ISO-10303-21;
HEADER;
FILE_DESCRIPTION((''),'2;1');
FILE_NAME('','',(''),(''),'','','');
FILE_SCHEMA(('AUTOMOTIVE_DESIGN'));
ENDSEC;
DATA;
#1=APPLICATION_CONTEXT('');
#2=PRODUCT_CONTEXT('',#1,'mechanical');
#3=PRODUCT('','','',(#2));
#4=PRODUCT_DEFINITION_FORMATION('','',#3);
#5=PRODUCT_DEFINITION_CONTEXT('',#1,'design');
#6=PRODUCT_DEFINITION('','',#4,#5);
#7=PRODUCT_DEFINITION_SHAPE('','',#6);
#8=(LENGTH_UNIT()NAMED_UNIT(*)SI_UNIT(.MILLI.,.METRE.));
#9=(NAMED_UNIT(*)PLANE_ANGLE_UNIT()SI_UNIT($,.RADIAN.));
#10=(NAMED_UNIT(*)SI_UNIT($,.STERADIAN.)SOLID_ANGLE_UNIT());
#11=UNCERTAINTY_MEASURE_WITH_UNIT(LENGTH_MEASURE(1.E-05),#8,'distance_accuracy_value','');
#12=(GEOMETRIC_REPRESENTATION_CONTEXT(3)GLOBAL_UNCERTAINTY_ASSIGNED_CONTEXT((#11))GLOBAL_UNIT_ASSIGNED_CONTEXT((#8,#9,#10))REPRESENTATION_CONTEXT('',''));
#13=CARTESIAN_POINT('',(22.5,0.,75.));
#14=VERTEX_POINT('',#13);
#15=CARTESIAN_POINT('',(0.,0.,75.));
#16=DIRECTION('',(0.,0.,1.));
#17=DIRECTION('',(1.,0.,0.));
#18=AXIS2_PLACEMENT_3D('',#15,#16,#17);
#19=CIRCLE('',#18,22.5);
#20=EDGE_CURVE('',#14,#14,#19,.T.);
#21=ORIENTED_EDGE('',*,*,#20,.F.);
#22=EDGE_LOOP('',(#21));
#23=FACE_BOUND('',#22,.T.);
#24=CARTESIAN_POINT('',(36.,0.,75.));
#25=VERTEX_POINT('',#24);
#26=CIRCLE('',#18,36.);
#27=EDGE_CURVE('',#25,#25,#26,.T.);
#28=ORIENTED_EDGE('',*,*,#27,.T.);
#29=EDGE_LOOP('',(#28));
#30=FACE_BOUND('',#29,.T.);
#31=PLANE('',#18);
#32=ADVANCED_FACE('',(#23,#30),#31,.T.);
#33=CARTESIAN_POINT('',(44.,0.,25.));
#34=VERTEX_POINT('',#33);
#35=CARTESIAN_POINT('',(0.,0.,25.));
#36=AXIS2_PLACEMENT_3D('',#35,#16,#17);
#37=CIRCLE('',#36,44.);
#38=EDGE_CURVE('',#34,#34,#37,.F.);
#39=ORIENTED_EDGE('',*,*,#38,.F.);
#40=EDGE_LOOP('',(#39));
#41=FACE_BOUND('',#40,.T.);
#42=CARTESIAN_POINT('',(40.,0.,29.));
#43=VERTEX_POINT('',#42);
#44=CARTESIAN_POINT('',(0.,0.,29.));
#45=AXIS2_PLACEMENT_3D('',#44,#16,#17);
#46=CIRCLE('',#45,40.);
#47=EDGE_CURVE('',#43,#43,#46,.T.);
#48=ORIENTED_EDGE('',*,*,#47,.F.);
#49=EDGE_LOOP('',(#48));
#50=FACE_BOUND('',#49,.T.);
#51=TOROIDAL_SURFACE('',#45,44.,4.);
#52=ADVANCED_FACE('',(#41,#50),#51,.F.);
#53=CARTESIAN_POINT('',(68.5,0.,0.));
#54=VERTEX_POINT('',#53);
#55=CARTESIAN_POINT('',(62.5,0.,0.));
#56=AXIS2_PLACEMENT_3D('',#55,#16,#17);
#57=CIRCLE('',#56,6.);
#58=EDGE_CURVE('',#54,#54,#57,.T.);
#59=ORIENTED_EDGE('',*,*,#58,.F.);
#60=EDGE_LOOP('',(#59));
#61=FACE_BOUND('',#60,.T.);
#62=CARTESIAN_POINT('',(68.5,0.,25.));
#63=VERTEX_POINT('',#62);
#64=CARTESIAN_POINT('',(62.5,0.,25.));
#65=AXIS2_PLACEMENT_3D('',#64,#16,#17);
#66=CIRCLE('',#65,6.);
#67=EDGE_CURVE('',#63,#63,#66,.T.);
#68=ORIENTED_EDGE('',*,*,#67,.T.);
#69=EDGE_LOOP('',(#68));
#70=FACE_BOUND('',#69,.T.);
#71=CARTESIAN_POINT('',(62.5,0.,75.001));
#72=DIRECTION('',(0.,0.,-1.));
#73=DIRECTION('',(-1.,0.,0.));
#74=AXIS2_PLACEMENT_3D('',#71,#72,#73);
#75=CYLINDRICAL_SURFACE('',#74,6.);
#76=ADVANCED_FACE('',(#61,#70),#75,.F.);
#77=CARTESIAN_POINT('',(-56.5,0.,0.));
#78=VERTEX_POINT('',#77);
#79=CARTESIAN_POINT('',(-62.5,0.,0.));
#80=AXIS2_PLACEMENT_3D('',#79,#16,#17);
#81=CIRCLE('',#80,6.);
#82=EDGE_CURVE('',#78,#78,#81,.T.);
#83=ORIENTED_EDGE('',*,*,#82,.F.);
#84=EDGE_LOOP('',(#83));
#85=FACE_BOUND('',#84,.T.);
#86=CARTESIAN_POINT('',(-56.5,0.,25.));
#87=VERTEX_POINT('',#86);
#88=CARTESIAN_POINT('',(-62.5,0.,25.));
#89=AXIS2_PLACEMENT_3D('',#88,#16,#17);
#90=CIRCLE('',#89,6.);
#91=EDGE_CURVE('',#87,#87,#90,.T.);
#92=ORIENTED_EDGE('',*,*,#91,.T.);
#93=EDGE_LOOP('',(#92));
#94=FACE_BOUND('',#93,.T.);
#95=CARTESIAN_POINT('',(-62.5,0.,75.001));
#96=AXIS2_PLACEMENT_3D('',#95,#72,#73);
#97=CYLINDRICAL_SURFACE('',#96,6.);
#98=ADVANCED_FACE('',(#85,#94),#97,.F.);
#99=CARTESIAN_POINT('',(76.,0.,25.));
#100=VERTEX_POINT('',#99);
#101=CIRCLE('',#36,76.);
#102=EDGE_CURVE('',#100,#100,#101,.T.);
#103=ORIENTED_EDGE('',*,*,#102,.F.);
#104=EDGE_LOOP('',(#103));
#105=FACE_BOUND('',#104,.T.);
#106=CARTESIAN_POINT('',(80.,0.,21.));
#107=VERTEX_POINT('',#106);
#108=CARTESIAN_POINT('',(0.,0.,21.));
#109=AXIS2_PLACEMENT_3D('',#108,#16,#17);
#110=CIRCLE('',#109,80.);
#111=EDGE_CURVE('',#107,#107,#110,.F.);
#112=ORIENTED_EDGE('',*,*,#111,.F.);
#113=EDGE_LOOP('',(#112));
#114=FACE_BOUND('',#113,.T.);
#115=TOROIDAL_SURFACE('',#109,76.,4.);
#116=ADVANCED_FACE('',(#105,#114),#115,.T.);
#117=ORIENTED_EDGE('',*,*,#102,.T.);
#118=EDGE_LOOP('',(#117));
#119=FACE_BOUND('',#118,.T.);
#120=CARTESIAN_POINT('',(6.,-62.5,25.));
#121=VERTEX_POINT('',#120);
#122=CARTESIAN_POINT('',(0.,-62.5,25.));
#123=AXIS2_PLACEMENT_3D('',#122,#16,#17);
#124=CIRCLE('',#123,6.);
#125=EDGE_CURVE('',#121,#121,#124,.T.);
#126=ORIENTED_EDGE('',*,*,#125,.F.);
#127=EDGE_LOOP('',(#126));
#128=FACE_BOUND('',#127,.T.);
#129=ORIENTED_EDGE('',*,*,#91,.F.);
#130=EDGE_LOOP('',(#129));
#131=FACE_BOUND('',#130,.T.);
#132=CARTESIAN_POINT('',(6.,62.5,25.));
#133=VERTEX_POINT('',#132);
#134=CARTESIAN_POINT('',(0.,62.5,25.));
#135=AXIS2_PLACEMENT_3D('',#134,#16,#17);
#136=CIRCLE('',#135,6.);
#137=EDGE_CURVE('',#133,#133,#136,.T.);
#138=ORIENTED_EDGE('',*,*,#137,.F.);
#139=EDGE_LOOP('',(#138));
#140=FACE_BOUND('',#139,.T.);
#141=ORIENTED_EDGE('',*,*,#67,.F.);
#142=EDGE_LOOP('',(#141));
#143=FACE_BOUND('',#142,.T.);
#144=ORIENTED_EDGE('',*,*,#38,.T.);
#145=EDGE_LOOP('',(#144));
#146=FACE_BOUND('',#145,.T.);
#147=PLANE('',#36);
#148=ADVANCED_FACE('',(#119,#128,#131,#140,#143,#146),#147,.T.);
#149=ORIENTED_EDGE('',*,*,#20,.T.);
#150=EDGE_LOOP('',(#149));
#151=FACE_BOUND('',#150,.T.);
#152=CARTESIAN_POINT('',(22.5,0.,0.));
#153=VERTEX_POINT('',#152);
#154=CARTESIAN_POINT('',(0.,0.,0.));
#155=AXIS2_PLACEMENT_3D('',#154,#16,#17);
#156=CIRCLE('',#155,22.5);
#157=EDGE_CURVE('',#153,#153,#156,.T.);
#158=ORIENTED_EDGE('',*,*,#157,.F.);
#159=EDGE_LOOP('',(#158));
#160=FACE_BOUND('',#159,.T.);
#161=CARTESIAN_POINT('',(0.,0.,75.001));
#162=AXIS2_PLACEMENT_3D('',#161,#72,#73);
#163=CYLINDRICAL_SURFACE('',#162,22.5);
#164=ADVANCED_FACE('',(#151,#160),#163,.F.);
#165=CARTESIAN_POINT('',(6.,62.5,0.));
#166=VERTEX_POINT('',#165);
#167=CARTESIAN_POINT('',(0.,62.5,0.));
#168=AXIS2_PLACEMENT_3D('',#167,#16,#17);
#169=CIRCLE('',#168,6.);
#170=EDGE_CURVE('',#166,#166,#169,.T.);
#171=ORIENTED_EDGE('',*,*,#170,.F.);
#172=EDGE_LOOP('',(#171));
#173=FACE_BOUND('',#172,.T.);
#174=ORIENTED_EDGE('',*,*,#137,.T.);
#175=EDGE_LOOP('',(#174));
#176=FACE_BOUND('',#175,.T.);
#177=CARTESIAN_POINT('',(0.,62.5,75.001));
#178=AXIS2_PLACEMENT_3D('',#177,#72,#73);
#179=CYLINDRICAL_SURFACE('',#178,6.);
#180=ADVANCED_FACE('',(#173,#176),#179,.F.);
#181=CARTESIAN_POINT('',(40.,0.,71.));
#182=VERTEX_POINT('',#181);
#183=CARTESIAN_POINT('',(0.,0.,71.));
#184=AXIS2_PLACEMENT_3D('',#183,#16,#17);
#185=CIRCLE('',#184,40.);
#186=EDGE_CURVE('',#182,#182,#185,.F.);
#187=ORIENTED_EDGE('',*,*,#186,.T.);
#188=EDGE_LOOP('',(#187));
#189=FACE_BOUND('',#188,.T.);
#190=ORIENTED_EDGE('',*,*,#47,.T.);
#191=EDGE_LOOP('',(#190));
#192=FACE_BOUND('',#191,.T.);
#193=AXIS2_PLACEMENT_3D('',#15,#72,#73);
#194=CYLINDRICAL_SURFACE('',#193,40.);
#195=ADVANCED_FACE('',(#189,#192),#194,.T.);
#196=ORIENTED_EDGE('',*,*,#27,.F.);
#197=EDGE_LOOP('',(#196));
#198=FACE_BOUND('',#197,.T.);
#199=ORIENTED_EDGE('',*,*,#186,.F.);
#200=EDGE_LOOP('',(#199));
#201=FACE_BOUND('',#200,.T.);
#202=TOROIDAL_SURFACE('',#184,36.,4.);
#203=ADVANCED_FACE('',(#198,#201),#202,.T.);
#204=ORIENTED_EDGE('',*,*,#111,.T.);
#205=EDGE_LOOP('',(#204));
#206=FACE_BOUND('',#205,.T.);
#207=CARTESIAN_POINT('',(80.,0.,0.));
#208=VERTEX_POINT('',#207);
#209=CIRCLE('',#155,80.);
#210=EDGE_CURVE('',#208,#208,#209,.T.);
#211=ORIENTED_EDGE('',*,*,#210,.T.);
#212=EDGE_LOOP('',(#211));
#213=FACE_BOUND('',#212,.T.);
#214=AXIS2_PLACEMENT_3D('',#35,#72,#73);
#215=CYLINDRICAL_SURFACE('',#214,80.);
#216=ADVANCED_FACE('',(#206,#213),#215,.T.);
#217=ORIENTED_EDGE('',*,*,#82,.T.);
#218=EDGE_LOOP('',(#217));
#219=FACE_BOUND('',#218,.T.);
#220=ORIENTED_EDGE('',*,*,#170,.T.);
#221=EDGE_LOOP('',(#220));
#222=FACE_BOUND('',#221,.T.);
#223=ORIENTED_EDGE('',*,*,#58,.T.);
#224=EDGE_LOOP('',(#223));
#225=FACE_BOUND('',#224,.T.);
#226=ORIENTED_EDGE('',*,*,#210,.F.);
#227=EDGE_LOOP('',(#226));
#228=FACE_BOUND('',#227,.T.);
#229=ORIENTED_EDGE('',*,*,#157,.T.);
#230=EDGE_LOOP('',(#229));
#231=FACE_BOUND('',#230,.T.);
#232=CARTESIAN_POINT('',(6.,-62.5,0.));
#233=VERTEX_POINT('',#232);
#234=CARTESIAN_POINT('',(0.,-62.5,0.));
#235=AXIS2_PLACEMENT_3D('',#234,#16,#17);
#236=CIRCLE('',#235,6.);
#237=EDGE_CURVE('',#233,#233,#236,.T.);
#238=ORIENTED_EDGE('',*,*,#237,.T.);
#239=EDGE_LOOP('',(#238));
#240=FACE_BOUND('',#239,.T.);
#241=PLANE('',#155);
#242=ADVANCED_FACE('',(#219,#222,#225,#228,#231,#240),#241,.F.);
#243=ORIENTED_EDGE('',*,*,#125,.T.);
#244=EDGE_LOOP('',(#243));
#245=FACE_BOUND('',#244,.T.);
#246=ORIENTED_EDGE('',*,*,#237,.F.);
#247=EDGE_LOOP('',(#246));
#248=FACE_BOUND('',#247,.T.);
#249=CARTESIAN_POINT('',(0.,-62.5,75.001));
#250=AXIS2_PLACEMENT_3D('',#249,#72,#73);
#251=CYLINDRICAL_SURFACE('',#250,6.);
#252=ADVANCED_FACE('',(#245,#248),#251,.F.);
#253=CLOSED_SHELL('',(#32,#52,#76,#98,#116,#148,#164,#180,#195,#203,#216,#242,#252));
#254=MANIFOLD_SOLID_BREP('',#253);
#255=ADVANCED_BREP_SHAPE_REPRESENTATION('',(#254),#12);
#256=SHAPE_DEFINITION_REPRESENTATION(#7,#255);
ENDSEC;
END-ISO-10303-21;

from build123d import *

# Parameters (mm, degrees)
ESQUISSE1_R         = 80
BASE_25MM_DEPTH     = 25
ESQUISSE1_4_R       = 40
AXE75MM_DEPTH       = 75
TROU1_REACH         = 137.739
ESQUISSE1_5_R       = 6
TROU2_REACH         = 137.739
ESQUISSE1_6_R       = 6
TROU3_4_REACH       = 137.739
ESQUISSE1_7_R       = 6
TROUPRINCIPAL_REACH = 137.739
ESQUISSE1_8_R       = 22.5
CONG_1_R            = 4
CONG_2_R            = 4
CONG_3_R            = 4


with BuildPart() as part:
    # Esquisse1 → Base 25mm (new body)
    with BuildSketch(Plane.XY):
        Circle(ESQUISSE1_R)
    extrude(amount=BASE_25MM_DEPTH)

    # Esquisse1<4> → axe75mm (add)
    with BuildSketch(Plane.XY):
        Circle(ESQUISSE1_4_R)
    extrude(amount=AXE75MM_DEPTH)

    # Esquisse1<5> → Trou1 (cut, up to next)
    with BuildSketch(Plane.XY, mode=Mode.PRIVATE) as trou1_sk1:
        with Locations((0, 62.5)):
            Circle(ESQUISSE1_5_R)
    trou1_tool1 = extrude(trou1_sk1.sketch, amount=TROU1_REACH, mode=Mode.PRIVATE) & part.part
    add(trou1_tool1.solids().sort_by_distance((0, 62.5, 0))[0], mode=Mode.SUBTRACT)

    # Esquisse1<6> → Trou2 (cut, up to next)
    with BuildSketch(Plane.XY, mode=Mode.PRIVATE) as trou2_sk1:
        with Locations((-62.5, 0)):
            Circle(ESQUISSE1_6_R)
    trou2_tool1 = extrude(trou2_sk1.sketch, amount=TROU2_REACH, mode=Mode.PRIVATE) & part.part
    add(trou2_tool1.solids().sort_by_distance((-62.5, 0, 0))[0], mode=Mode.SUBTRACT)

    # Esquisse1<7> → Trou3&4 (cut, up to next)
    with BuildSketch(Plane.XY, mode=Mode.PRIVATE) as trou3_4_sk1:
        with Locations((62.5, 0)):
            Circle(ESQUISSE1_7_R)
    trou3_4_tool1 = extrude(trou3_4_sk1.sketch, amount=TROU3_4_REACH, mode=Mode.PRIVATE) & part.part
    # Esquisse1<7> → Trou3&4 (cut, up to next)
    with BuildSketch(Plane.XY, mode=Mode.PRIVATE) as trou3_4_sk2:
        with Locations((0, -62.5)):
            Circle(ESQUISSE1_7_R)
    trou3_4_tool2 = extrude(trou3_4_sk2.sketch, amount=TROU3_4_REACH, mode=Mode.PRIVATE) & part.part
    add(trou3_4_tool1.solids().sort_by_distance((62.5, 0, 0))[0], mode=Mode.SUBTRACT)
    add(trou3_4_tool2.solids().sort_by_distance((0, -62.5, 0))[0], mode=Mode.SUBTRACT)

    # Esquisse1<8> → TrouPrincipal (cut, up to next)
    with BuildSketch(Plane.XY, mode=Mode.PRIVATE) as trouprincipal_sk1:
        Circle(ESQUISSE1_8_R)
    trouprincipal_tool1 = extrude(trouprincipal_sk1.sketch, amount=TROUPRINCIPAL_REACH, mode=Mode.PRIVATE) & part.part
    add(trouprincipal_tool1.solids().sort_by_distance((0, 0, 0))[0], mode=Mode.SUBTRACT)

    # Congé1
    cong_1_edges = [part.edges().sort_by_distance(p)[0] for p in [
        (-40, 0, 25),
    ]]
    fillet(cong_1_edges, radius=CONG_1_R)

    # Congé2
    cong_2_edges = [part.edges().sort_by_distance(p)[0] for p in [
        (-80, 0, 25),
    ]]
    fillet(cong_2_edges, radius=CONG_2_R)

    # Congé3
    cong_3_edges = [part.edges().sort_by_distance(p)[0] for p in [
        (-40, 0, 75),
    ]]
    fillet(cong_3_edges, radius=CONG_3_R)


solid = part.part
